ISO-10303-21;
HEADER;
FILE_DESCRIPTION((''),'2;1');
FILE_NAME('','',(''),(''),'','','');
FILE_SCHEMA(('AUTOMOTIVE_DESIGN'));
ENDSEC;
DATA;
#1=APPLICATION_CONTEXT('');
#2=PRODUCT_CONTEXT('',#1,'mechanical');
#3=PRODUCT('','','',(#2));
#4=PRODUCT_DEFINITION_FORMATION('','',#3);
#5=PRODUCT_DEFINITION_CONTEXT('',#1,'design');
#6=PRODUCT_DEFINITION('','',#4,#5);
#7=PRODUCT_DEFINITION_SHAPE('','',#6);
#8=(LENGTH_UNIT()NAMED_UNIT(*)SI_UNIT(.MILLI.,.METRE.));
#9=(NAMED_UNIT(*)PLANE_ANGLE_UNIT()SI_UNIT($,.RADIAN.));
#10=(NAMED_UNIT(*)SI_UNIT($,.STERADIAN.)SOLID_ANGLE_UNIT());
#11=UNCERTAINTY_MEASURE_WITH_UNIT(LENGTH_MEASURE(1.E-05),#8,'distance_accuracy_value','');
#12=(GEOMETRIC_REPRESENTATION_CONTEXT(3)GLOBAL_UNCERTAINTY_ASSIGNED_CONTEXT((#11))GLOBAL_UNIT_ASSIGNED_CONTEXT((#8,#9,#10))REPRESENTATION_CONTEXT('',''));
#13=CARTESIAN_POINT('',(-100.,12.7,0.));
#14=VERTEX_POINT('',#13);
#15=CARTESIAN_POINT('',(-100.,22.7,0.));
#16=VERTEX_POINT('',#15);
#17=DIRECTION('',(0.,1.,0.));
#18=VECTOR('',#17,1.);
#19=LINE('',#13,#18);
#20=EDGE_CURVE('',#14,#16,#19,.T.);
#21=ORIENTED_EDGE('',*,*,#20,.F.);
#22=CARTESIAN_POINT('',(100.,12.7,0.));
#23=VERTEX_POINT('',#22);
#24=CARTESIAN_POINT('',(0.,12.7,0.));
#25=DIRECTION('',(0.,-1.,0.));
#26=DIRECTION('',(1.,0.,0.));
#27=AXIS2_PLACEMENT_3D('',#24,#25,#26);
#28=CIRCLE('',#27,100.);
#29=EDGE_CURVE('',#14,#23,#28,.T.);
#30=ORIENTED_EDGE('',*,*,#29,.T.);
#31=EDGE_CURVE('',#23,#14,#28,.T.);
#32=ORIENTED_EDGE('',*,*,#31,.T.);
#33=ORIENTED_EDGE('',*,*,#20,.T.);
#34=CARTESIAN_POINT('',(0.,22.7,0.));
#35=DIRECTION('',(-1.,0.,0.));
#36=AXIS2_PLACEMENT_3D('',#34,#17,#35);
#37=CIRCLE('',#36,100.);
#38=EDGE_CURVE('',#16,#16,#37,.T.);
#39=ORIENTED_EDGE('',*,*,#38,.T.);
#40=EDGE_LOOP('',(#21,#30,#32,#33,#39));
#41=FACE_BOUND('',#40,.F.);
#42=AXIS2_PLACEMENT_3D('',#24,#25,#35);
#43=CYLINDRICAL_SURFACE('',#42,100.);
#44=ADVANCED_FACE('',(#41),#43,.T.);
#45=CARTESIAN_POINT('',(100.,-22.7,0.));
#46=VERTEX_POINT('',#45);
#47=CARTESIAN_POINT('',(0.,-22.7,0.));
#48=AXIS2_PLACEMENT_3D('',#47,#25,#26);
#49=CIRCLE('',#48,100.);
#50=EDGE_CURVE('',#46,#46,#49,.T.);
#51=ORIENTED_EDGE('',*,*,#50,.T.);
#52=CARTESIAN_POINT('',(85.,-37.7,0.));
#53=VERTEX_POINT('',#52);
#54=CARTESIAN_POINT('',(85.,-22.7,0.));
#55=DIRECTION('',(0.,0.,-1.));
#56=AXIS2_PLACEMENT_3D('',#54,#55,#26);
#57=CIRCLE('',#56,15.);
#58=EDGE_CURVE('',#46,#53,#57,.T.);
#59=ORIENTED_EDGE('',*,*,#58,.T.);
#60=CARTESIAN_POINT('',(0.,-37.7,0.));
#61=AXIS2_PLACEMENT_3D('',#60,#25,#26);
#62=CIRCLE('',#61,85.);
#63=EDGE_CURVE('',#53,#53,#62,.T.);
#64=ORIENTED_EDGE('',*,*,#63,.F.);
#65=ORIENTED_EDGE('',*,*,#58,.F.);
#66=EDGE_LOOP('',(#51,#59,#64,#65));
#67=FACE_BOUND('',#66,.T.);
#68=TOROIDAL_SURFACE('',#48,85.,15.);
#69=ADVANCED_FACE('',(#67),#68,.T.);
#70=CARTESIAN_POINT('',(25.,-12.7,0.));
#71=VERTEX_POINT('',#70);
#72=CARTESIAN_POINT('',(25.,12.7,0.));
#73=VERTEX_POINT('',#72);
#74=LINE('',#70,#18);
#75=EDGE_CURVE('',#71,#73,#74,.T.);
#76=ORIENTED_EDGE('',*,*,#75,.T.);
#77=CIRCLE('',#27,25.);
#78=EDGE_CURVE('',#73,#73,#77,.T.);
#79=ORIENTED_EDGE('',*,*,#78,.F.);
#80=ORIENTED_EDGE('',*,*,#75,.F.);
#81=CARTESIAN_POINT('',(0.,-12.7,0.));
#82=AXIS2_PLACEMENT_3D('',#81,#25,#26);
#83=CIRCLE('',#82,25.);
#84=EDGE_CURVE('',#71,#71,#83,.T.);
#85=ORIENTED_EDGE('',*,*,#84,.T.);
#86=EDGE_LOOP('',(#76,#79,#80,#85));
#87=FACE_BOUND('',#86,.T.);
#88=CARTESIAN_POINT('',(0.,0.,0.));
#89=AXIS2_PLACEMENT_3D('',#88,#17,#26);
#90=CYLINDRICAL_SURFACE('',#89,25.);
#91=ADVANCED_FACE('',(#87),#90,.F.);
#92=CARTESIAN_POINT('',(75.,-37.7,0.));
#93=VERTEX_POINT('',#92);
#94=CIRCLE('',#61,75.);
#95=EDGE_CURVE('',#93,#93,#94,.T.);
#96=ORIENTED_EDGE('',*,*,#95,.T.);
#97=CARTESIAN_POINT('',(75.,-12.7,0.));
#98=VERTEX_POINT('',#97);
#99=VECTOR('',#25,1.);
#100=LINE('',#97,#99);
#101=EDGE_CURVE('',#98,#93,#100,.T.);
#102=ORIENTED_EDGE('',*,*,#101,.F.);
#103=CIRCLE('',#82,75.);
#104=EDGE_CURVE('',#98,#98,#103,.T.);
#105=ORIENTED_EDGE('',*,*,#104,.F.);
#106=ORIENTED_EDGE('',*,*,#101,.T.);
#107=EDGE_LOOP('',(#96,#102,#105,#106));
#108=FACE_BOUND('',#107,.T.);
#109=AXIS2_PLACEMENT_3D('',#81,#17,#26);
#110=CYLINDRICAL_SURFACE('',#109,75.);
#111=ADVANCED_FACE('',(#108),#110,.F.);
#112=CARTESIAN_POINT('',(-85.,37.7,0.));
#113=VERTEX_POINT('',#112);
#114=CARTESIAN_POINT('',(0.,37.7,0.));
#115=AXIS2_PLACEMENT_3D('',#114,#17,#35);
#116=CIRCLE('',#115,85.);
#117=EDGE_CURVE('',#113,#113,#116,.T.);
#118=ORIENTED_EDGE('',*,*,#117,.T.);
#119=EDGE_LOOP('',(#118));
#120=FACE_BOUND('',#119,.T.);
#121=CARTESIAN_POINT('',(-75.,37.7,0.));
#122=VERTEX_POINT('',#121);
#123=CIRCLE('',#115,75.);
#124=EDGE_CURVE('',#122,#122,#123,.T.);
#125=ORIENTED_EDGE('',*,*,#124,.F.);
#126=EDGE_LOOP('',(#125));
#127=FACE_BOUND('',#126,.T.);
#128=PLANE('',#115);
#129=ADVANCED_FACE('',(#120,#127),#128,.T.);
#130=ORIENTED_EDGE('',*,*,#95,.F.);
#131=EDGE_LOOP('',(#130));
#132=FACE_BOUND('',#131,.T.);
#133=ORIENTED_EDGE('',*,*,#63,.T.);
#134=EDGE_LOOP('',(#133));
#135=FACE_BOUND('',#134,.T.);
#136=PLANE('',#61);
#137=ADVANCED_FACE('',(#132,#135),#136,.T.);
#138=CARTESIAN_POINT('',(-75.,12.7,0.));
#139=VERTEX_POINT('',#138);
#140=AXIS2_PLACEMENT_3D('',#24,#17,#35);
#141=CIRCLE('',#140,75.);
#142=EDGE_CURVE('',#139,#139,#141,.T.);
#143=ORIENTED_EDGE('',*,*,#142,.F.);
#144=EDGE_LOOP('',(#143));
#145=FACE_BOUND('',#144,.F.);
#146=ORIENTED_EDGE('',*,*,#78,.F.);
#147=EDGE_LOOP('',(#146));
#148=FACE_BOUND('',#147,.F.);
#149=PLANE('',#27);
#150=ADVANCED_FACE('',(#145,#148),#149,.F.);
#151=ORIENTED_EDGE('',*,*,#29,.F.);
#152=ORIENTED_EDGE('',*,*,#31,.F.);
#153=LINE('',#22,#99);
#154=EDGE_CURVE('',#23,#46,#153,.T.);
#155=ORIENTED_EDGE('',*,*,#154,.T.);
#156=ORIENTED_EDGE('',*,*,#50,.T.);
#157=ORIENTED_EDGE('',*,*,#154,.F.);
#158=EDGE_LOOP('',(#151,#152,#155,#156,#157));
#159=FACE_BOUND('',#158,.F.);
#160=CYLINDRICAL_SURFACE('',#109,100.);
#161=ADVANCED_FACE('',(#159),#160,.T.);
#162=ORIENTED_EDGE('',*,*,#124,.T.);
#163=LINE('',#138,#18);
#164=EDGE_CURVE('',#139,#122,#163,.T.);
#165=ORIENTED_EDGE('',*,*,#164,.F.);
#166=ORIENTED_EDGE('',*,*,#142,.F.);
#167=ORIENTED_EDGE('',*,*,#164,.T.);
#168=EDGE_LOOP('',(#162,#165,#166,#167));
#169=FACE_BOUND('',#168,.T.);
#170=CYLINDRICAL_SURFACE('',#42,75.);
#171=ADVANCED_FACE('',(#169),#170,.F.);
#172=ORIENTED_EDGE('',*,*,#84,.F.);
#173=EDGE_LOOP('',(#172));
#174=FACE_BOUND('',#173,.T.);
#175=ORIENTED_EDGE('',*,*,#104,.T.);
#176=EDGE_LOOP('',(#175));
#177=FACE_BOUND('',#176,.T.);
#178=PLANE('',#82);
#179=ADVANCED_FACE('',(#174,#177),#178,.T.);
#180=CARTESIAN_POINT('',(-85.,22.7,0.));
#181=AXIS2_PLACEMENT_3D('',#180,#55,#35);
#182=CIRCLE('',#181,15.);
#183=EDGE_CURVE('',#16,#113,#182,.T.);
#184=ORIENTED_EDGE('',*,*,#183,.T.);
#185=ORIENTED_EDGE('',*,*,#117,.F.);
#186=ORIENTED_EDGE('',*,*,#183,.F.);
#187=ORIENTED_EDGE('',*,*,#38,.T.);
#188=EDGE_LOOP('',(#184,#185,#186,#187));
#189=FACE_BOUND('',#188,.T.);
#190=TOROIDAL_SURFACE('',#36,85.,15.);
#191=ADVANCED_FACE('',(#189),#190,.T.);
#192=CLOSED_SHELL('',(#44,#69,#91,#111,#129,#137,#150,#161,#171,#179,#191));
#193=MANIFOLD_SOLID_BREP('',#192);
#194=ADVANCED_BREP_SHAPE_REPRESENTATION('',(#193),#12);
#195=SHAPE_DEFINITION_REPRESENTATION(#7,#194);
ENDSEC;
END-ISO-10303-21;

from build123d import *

# Parameters (mm, degrees)
F0_R     = 100
F0_R_2   = 75
F0_R_3   = 25
F1_DEPTH = 12.7
F2_R     = 100
F2_R_2   = 75
F3_DEPTH = 25
F4_R     = 100
F4_R_2   = 75
F5_DEPTH = 25
F6_R     = 15


with BuildPart() as f1:
    # F0 (on Front) → F1 (new body, symmetric)
    with BuildSketch(Plane.XZ):
        Circle(F0_R)
        Circle(F0_R_2, mode=Mode.SUBTRACT)
        Circle(F0_R_2)
        Circle(F0_R_3, mode=Mode.SUBTRACT)
    extrude(amount=F1_DEPTH, both=True)

    # F2 (on face) → F3 (join)
    with BuildSketch(Plane.XZ.offset(12.7)):
        Circle(F2_R)
        Circle(F2_R_2, mode=Mode.SUBTRACT)
    extrude(amount=F3_DEPTH)

    # F4 (on face) → F5 (join)
    with BuildSketch(Plane(origin=(0, 12.7, 0), x_dir=(-1, 0, 0), z_dir=(0, 1, 0))):
        Circle(F4_R)
        Circle(F4_R_2, mode=Mode.SUBTRACT)
    extrude(amount=F5_DEPTH)

    # F6
    f6_edges = [f1.edges().sort_by_distance(p)[0] for p in [
        (100, 37.7, 0),
        (-100, -37.7, 0),
    ]]
    fillet(f6_edges, radius=F6_R)


solid = f1.part
